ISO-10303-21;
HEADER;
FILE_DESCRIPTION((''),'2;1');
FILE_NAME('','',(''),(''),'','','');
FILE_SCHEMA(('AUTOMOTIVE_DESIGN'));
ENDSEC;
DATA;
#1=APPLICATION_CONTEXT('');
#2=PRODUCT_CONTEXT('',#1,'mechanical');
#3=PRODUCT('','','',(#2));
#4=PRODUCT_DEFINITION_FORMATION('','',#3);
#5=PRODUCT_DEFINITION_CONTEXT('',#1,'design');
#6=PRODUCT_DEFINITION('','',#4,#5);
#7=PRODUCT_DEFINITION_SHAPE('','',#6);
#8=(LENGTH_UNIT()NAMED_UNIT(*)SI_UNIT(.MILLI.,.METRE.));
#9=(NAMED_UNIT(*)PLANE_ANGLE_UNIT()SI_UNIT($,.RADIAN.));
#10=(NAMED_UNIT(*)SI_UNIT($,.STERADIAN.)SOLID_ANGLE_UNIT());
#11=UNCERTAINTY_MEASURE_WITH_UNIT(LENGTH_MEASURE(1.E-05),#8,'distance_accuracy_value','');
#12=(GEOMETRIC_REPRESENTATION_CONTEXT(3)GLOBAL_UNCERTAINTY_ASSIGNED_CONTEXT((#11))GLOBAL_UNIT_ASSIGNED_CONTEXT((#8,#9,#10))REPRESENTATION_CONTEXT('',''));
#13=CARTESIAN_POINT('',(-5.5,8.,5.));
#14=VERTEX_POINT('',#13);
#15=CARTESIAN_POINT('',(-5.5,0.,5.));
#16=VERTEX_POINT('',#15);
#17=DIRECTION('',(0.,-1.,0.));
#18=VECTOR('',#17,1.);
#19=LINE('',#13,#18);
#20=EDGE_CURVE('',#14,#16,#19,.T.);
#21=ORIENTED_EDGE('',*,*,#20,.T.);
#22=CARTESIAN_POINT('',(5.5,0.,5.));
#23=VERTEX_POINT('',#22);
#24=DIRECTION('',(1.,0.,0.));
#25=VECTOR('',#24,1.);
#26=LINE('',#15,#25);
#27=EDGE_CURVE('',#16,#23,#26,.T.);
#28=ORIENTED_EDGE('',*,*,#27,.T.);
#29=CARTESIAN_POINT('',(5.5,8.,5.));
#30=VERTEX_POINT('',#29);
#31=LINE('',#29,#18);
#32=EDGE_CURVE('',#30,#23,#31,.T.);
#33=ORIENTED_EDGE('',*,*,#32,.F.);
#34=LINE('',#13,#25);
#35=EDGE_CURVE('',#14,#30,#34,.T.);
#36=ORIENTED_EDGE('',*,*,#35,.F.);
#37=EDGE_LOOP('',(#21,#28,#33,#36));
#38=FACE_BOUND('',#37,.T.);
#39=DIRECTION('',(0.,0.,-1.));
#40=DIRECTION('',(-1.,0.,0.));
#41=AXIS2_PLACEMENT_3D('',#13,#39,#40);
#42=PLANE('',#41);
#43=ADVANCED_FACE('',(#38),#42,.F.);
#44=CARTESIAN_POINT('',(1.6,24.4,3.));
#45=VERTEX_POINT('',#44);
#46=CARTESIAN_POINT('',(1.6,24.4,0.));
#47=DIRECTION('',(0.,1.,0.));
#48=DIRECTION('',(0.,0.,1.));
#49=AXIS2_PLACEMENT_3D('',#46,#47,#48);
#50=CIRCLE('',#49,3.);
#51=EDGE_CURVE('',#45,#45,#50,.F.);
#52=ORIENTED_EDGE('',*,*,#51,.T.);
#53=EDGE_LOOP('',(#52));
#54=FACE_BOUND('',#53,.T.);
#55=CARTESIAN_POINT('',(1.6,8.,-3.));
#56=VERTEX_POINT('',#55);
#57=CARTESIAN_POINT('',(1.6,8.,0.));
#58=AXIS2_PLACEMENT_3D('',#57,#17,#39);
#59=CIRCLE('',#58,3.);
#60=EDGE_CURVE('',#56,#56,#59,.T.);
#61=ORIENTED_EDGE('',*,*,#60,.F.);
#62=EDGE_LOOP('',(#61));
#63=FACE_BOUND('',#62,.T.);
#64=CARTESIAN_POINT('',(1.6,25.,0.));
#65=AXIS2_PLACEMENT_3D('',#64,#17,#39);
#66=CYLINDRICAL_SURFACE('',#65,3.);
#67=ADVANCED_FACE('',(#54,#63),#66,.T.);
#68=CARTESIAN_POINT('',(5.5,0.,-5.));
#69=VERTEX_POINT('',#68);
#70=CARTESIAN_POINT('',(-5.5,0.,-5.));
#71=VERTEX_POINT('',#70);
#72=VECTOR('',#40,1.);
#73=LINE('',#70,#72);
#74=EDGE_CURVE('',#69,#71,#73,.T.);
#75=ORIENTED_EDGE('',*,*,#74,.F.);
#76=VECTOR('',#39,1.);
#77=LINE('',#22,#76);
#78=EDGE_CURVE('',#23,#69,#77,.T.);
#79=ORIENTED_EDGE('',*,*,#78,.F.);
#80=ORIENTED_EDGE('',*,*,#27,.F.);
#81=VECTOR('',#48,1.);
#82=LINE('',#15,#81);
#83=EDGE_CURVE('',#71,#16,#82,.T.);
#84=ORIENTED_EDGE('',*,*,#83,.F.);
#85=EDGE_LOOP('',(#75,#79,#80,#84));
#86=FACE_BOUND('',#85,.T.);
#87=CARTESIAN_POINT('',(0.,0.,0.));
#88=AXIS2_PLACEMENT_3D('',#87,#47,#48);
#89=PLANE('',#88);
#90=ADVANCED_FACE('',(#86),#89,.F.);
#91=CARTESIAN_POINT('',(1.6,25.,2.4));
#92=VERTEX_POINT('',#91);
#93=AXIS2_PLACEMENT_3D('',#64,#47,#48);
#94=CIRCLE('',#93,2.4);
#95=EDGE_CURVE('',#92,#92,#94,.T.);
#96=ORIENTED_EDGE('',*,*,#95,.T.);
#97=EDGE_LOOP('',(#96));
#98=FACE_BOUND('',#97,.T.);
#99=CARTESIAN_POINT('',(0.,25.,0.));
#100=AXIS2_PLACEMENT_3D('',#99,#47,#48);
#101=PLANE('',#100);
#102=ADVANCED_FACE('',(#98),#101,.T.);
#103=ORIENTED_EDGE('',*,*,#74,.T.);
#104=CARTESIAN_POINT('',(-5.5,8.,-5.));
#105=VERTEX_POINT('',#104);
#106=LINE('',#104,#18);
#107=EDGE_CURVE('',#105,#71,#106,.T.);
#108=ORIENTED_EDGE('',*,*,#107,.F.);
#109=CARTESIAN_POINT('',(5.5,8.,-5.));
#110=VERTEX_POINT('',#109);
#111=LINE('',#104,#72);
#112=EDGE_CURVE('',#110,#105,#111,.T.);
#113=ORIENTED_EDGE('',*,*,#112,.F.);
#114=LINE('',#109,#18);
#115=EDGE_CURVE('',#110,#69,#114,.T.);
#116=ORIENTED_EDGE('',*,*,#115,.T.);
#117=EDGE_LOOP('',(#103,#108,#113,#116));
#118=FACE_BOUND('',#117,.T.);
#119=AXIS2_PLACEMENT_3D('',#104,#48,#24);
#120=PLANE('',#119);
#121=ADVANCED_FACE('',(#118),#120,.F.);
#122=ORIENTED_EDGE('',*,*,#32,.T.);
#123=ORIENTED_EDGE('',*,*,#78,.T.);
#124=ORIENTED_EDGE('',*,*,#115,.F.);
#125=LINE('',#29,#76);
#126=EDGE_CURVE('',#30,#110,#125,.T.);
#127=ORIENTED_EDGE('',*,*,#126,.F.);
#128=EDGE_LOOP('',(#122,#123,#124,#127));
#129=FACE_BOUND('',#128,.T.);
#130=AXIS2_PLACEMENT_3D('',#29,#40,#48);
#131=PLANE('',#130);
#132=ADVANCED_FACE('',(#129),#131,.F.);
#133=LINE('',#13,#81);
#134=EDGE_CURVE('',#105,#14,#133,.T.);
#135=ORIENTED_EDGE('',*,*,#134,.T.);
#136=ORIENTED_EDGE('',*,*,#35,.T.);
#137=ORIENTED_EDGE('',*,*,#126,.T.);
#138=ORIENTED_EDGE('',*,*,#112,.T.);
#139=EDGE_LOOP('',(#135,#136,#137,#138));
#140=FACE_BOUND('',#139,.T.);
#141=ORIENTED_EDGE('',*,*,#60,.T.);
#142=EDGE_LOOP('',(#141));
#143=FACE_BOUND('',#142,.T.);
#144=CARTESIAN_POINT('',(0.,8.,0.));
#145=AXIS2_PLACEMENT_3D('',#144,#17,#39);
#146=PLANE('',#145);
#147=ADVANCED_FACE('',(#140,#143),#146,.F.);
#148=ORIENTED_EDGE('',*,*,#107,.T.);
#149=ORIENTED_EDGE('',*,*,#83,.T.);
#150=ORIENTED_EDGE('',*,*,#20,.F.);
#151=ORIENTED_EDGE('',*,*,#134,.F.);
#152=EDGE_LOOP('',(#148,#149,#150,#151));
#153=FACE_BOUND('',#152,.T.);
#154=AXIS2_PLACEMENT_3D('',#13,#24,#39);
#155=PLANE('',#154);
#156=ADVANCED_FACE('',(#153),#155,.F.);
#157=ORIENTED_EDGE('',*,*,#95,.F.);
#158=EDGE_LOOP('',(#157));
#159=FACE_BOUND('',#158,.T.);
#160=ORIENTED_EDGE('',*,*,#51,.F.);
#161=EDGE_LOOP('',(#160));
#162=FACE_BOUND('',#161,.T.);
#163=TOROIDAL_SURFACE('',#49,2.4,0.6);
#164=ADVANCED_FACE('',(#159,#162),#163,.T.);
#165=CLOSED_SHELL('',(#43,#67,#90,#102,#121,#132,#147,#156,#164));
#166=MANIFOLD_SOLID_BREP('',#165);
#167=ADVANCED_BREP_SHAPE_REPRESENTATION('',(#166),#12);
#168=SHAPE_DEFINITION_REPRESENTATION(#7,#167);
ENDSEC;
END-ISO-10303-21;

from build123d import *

# Parameters (mm, degrees)
SKETCH1_R           = 3
BOSS_EXTRUDE1_DEPTH = 25
SKETCH1_3_W         = 11
SKETCH1_3_H         = 10
SKETCH1_3_R         = 3
BOSS_EXTRUDE2_DEPTH = 8
FILLET1_R           = 0.6


with BuildPart() as part:
    # Sketch1 → Boss-Extrude1 (new body)
    with BuildSketch(Plane(origin=(0, 0, 0), x_dir=(1, 0, 0), z_dir=(0, 1, 0))):
        with Locations((1.6, 0)):
            Circle(SKETCH1_R)
    extrude(amount=BOSS_EXTRUDE1_DEPTH)

    # Sketch1<3> → Boss-Extrude2 (add)
    with BuildSketch(Plane(origin=(0, 0, 0), x_dir=(1, 0, 0), z_dir=(0, 1, 0))):
        Rectangle(SKETCH1_3_W, SKETCH1_3_H)
        with Locations((1.6, 0)):
            Circle(SKETCH1_3_R, mode=Mode.SUBTRACT)
    extrude(amount=BOSS_EXTRUDE2_DEPTH)

    # Fillet1
    fillet1_edges = [part.edges().sort_by_distance(p)[0] for p in [
        (-1.4, 25, 0),
    ]]
    fillet(fillet1_edges, radius=FILLET1_R)


solid = part.part
